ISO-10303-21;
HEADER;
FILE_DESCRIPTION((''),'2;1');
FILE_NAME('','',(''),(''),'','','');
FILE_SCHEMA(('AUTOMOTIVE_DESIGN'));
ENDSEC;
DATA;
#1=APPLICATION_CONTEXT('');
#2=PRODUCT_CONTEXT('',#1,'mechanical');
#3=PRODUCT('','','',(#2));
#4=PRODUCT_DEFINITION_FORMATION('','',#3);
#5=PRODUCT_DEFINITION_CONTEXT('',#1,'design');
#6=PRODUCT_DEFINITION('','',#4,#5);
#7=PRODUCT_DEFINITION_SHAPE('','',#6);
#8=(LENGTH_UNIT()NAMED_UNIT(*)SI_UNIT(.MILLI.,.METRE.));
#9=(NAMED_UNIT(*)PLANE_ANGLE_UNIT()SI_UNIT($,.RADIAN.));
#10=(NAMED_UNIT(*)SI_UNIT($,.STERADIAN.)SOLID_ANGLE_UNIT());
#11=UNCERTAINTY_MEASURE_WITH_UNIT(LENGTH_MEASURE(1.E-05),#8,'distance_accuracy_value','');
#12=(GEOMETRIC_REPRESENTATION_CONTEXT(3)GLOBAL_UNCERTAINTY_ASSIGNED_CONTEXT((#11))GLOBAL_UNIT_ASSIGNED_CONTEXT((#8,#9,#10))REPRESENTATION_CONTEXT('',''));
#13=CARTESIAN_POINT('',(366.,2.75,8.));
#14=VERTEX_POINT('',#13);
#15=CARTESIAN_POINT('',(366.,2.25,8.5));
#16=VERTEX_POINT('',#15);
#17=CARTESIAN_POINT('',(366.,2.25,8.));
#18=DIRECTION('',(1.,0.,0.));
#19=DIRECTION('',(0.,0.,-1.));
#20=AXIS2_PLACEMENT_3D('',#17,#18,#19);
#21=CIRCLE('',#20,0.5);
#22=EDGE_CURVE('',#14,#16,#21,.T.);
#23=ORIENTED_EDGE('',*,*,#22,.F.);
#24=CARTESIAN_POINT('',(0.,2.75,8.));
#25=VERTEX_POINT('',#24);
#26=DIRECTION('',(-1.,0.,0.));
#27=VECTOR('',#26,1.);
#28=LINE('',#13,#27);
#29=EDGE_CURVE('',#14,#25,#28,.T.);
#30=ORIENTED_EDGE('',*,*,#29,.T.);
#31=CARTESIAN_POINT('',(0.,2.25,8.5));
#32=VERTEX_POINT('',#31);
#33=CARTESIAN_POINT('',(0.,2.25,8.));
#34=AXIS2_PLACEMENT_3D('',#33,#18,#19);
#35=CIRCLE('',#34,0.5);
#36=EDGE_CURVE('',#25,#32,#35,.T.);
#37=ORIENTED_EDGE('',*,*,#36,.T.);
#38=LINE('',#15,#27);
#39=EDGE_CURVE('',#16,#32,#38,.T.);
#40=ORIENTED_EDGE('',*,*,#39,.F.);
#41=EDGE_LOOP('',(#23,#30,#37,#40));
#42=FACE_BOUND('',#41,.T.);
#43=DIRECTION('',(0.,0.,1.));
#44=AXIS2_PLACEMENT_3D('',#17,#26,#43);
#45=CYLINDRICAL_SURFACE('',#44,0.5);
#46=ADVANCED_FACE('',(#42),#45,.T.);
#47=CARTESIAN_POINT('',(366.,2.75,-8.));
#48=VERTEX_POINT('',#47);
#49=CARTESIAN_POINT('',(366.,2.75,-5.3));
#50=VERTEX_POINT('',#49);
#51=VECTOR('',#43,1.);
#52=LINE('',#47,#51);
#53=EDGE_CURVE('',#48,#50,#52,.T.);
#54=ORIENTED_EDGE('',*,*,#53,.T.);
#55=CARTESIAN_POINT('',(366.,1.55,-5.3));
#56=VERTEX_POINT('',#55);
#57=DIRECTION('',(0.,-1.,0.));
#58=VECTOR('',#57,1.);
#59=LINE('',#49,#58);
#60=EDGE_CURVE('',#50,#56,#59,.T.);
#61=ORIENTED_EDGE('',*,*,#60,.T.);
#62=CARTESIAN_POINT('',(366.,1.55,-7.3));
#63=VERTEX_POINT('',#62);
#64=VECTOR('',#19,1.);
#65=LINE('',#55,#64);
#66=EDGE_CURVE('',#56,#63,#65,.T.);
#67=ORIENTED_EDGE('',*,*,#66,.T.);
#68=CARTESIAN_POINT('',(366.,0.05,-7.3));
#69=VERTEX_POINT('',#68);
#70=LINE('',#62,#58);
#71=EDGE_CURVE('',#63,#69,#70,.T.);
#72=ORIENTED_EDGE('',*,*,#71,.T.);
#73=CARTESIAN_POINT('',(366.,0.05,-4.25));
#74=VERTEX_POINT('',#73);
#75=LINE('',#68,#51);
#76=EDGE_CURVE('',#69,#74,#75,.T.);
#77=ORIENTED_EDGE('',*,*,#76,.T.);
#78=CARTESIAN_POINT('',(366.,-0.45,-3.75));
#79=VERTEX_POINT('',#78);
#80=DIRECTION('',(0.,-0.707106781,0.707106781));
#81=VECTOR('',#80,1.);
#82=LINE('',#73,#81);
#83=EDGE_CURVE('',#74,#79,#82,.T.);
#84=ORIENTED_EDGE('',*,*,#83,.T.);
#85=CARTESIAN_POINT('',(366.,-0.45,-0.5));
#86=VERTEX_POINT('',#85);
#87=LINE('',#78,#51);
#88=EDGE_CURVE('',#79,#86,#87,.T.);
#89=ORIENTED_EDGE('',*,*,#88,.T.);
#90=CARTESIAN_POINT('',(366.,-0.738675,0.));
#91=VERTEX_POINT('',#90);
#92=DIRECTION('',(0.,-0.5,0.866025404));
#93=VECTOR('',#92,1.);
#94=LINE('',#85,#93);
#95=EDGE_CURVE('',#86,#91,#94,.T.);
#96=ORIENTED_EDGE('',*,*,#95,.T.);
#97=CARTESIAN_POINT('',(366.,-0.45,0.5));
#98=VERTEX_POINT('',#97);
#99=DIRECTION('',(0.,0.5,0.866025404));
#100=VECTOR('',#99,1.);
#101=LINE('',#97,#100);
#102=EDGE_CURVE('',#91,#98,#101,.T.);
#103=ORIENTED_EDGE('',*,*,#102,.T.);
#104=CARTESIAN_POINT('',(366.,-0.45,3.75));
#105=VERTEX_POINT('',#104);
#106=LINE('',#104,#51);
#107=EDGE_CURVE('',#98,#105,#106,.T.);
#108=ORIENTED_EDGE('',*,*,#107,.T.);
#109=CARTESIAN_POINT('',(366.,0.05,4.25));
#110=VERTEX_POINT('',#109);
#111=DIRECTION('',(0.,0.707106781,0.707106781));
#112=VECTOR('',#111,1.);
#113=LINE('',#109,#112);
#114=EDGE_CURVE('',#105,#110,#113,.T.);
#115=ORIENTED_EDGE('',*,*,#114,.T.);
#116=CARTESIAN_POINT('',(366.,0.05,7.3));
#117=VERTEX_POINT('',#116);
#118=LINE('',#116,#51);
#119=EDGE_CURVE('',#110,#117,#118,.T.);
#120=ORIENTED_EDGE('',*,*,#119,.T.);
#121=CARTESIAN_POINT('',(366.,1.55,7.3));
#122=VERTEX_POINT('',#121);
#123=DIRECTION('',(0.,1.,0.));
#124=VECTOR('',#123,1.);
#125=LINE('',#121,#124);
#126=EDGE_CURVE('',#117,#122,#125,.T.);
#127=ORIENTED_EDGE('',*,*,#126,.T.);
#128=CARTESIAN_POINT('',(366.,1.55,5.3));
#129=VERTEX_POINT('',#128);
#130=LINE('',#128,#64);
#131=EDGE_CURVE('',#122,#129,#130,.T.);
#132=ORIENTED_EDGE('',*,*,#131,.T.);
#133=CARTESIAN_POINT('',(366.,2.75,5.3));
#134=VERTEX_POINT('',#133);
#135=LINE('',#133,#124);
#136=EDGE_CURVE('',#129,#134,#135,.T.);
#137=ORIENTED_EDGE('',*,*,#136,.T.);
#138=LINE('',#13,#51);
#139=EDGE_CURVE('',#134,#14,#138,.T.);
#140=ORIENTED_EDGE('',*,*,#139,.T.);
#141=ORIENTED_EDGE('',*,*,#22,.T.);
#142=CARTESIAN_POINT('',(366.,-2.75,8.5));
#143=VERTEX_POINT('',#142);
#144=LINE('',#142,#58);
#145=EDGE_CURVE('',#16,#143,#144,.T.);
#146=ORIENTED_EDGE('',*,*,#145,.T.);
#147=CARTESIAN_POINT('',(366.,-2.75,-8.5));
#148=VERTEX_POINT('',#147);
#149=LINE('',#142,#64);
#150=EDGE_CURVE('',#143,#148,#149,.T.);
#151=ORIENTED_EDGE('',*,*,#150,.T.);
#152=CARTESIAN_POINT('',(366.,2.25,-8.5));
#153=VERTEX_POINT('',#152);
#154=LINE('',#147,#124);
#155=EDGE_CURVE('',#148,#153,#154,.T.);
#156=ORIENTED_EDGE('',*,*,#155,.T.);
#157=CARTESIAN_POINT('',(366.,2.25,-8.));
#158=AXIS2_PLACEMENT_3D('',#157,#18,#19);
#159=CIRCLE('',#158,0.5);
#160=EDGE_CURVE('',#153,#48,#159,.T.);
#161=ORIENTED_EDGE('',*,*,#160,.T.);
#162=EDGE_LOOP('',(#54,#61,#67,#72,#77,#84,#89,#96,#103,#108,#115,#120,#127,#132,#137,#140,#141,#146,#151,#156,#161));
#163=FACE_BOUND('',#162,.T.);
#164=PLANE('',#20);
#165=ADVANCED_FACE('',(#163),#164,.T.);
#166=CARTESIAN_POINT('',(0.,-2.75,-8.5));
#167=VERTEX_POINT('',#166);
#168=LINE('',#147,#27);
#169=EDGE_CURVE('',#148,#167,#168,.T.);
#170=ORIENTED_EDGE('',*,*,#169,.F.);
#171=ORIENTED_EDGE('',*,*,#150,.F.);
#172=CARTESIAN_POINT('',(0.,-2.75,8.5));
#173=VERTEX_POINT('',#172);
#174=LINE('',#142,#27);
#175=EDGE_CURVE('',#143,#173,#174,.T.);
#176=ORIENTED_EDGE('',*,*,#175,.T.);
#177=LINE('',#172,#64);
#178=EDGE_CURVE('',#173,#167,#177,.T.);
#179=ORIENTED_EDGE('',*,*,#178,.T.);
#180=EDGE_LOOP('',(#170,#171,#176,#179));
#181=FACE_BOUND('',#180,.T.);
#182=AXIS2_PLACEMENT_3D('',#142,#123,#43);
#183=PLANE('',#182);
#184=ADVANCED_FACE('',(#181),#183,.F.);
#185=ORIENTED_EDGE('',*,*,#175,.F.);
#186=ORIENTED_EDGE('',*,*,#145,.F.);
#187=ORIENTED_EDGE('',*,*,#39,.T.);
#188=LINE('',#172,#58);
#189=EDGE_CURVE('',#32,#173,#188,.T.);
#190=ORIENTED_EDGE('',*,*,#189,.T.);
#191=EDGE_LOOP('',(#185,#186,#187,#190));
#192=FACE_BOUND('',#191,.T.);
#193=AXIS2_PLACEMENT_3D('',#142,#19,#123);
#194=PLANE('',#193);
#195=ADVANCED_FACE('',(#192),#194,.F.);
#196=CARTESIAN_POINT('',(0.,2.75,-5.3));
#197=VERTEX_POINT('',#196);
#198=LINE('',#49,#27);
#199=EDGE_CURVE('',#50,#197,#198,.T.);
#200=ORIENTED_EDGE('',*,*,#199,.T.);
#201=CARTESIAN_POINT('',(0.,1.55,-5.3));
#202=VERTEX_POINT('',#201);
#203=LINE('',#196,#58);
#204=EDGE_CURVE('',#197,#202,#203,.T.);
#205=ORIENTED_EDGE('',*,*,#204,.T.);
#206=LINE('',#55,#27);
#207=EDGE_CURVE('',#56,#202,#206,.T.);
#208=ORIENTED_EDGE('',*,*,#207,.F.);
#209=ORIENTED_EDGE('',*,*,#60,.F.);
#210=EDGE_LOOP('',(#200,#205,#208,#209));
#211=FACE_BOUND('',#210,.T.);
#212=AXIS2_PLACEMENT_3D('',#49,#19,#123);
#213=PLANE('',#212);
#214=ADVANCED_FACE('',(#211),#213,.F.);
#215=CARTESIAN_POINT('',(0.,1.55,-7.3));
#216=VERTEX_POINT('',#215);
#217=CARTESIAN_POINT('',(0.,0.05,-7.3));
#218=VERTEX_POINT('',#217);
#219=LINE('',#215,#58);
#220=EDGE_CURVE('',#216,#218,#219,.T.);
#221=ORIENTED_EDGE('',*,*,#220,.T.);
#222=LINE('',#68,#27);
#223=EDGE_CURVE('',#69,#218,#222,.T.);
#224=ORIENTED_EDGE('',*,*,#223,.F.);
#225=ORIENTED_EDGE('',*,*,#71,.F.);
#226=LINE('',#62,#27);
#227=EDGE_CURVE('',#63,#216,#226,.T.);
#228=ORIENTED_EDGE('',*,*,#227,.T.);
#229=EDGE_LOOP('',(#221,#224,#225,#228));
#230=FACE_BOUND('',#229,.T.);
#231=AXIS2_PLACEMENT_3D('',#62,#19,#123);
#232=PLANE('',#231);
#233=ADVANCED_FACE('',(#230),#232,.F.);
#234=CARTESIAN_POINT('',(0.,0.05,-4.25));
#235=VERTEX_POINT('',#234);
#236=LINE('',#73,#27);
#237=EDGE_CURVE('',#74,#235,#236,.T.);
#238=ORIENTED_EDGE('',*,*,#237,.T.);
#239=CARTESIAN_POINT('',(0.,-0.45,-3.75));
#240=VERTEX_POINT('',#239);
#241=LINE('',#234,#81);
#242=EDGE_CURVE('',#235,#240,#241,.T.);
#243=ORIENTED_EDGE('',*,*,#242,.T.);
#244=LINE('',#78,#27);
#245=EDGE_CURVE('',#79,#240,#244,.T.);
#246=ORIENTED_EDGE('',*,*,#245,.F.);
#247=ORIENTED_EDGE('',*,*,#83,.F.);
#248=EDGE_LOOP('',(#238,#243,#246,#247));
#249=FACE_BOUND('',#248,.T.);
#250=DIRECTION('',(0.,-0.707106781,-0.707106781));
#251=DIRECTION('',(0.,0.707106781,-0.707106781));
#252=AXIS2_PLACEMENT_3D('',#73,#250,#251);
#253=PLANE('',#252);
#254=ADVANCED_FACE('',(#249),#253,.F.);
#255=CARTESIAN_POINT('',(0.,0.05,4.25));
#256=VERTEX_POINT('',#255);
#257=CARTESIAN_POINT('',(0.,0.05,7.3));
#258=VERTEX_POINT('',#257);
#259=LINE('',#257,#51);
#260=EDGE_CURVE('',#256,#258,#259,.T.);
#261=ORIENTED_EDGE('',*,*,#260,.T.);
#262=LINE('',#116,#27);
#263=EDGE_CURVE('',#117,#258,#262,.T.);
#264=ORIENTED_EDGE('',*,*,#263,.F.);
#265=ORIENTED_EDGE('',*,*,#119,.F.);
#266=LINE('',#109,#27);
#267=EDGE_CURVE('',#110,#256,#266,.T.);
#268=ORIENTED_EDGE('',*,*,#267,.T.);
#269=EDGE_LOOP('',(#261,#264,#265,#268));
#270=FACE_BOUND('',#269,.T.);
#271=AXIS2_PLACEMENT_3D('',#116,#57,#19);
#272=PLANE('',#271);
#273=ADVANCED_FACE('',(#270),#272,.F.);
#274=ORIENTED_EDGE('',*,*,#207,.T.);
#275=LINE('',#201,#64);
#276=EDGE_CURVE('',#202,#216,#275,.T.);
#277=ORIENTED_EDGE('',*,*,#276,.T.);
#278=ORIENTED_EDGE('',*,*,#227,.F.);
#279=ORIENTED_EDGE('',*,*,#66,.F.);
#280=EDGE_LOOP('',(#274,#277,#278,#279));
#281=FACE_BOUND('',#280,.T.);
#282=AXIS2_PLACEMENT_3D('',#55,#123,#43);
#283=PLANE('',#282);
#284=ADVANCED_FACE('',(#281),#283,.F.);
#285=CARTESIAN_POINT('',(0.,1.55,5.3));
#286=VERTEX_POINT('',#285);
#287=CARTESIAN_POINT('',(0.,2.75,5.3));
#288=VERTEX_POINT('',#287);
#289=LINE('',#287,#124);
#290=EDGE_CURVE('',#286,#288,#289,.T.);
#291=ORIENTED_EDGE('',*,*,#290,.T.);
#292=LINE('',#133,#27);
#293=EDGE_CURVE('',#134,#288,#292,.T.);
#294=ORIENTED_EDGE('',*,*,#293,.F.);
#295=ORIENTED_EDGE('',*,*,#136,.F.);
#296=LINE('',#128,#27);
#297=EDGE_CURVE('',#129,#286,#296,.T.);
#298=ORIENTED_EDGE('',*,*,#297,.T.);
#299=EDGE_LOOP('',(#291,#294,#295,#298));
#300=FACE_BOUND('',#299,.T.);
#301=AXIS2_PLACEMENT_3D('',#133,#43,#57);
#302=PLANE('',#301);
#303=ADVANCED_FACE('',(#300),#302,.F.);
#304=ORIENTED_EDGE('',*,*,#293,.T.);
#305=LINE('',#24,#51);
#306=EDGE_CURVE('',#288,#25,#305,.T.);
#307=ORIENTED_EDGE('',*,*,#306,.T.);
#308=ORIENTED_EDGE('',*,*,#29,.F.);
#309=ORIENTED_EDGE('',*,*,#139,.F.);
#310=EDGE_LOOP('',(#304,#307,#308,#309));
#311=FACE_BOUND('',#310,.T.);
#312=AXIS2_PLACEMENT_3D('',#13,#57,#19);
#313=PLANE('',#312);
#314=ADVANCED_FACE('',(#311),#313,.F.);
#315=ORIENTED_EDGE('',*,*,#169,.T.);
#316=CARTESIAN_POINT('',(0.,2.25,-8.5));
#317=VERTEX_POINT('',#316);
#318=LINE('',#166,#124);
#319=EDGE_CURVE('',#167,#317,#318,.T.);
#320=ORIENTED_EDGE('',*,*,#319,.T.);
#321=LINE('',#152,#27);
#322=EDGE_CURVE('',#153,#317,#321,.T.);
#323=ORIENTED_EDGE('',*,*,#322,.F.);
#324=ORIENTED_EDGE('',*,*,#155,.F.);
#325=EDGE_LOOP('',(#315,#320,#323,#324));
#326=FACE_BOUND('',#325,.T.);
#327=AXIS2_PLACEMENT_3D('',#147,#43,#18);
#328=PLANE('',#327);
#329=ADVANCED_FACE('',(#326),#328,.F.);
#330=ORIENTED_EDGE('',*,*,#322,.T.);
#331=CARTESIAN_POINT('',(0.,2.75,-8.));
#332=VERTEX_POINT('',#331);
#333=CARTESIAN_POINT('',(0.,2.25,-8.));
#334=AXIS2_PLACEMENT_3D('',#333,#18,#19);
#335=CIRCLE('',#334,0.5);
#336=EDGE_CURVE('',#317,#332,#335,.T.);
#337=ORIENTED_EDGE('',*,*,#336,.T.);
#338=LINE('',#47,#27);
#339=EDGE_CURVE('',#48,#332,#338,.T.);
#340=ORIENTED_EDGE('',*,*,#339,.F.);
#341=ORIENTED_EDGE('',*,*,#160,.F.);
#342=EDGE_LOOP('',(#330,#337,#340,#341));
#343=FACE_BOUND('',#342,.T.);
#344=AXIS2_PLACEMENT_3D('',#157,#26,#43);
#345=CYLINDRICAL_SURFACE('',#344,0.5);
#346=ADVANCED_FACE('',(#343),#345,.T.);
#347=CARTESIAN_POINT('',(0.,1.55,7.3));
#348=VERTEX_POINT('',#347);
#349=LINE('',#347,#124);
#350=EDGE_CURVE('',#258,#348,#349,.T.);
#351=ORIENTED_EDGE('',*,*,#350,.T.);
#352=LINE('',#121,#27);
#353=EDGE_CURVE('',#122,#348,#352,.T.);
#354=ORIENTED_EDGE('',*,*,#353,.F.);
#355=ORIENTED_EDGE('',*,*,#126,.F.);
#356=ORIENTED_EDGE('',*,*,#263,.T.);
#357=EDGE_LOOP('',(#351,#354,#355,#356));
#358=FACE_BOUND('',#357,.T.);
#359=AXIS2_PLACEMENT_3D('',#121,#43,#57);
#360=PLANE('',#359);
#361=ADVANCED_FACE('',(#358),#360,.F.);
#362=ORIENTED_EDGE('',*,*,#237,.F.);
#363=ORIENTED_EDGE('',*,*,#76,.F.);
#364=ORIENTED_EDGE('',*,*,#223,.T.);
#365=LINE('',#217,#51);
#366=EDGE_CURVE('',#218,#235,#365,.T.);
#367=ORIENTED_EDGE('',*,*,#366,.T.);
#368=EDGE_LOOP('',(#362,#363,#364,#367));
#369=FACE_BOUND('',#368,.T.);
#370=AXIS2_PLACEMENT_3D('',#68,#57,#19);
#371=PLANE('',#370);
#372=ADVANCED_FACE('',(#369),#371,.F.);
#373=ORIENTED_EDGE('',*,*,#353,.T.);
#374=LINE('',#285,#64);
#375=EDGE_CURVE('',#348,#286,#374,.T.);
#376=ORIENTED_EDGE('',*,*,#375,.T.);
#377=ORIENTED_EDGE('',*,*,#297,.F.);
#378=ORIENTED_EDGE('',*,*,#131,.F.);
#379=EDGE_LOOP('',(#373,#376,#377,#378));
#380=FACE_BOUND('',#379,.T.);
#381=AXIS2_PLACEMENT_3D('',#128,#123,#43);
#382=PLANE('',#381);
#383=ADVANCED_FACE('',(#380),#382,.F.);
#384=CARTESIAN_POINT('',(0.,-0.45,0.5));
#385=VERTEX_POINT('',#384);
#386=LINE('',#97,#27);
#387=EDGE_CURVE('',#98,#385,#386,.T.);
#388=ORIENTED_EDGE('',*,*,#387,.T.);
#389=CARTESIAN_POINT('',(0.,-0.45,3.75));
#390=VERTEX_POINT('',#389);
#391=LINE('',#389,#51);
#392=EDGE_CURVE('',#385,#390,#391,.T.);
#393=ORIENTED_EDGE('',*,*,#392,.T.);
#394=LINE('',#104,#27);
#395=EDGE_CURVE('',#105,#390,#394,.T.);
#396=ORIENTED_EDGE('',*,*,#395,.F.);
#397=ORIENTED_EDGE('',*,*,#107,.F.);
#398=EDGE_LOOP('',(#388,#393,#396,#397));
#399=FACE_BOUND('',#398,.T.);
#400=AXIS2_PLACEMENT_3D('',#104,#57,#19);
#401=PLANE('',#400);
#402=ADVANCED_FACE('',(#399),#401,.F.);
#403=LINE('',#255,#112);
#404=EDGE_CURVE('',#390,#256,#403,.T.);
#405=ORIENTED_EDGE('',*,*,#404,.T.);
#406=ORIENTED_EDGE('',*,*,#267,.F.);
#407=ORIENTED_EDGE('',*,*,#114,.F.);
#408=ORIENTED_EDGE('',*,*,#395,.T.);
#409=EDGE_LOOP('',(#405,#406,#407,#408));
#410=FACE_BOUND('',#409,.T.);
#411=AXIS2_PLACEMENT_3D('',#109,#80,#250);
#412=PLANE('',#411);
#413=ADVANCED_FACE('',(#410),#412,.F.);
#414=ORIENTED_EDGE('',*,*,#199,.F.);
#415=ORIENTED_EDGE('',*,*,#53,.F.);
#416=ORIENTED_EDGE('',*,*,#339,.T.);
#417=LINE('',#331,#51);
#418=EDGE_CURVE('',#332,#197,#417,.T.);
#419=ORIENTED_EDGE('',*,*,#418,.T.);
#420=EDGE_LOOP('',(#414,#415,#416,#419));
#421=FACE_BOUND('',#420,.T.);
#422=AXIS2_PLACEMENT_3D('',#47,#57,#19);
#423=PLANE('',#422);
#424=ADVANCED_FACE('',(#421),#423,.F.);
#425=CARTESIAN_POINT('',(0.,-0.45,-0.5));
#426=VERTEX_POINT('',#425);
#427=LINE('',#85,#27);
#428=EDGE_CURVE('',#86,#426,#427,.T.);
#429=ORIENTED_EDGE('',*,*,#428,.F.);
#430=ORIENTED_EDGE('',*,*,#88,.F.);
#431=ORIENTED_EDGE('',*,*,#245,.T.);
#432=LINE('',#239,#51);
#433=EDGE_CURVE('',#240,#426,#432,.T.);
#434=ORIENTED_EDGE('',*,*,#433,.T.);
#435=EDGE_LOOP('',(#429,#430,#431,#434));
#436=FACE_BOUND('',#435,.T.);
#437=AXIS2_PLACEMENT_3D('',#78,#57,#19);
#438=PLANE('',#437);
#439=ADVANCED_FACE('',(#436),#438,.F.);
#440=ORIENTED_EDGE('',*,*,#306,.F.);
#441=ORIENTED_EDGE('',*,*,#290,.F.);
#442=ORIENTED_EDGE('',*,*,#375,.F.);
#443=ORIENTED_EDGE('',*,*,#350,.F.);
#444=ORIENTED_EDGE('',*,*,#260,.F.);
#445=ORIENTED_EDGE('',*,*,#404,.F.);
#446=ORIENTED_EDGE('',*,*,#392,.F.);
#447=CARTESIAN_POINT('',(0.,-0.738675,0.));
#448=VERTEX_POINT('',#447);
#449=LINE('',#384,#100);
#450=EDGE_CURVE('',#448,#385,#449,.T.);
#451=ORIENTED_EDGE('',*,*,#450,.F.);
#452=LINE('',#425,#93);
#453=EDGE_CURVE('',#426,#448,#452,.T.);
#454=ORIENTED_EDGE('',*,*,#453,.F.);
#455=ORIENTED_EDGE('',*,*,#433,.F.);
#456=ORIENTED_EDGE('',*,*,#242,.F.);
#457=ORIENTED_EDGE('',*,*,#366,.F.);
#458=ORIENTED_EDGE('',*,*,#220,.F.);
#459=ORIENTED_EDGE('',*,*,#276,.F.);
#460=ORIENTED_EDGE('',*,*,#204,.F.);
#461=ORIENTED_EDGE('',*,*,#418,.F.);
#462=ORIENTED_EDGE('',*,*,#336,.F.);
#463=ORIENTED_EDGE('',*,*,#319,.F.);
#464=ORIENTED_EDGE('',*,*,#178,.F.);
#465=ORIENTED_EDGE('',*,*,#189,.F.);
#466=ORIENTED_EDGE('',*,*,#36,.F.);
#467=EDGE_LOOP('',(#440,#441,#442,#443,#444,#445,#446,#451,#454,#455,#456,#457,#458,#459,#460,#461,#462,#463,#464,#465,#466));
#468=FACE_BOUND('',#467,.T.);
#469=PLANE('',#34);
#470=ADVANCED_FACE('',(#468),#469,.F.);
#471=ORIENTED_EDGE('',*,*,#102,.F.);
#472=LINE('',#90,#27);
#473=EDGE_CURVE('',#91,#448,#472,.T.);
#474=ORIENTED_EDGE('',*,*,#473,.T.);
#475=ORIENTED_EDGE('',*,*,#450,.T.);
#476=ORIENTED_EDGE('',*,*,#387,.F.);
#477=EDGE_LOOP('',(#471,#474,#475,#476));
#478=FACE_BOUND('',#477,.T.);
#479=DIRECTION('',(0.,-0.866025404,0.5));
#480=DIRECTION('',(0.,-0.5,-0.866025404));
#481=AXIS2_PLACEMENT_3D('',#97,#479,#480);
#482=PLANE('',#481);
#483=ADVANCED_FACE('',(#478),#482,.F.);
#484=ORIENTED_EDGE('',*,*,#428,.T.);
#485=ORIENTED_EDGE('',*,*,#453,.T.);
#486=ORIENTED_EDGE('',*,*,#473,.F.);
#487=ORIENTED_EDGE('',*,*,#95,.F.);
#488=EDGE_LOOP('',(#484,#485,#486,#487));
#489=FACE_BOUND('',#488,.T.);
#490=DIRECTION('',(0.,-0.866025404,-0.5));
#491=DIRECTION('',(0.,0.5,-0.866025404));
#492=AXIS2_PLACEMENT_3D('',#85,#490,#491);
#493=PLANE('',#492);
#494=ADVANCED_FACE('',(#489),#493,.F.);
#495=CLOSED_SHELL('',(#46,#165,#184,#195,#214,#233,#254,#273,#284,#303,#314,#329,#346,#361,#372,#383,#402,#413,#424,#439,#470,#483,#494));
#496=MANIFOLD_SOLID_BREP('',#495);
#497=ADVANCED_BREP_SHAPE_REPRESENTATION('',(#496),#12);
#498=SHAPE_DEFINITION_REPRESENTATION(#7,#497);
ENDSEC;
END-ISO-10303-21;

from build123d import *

# Parameters (mm, degrees)
BOSS_EXTRUDE1_DEPTH = 366


with BuildPart() as part:
    # Sketch5 → Boss-Extrude1 (new body)
    with BuildSketch(Plane(origin=(0, 0, 0), x_dir=(0, 0, -1), z_dir=(1, 0, 0))):
        with BuildLine():
            Line((-8.499999996, -2.75), (8.499999996, -2.75))
            Line((8.499999996, -2.75), (8.499999996, 2.25))
            ThreePointArc((8.499999996, 2.25), (8.353553387, 2.603553391), (7.999999996, 2.75))
            Line((7.999999996, 2.75), (5.299999996, 2.75))
            Line((5.299999996, 2.75), (5.299999996, 1.55))
            Line((5.299999996, 1.55), (7.299999998, 1.55))
            Line((7.299999998, 1.55), (7.299999998, 0.05))
            Line((7.299999998, 0.05), (4.249999998, 0.05))
            Line((4.249999998, 0.05), (3.749999998, -0.45))
            Line((3.749999998, -0.45), (0.499999998, -0.45))
            Line((0.499999998, -0.45), (0, -0.738675133))
            Line((0, -0.738675133), (-0.499999998, -0.45))
            Line((-0.499999998, -0.45), (-3.749999998, -0.45))
            Line((-3.749999998, -0.45), (-4.249999998, 0.05))
            Line((-4.249999998, 0.05), (-7.299999998, 0.05))
            Line((-7.299999998, 0.05), (-7.299999998, 1.55))
            Line((-7.299999998, 1.55), (-5.299999996, 1.55))
            Line((-5.299999996, 1.55), (-5.299999996, 2.75))
            Line((-5.299999996, 2.75), (-7.999999996, 2.75))
            ThreePointArc((-7.999999996, 2.75), (-8.353553387, 2.603553391), (-8.499999996, 2.25))
            Line((-8.499999996, 2.25), (-8.499999996, -2.75))
        make_face()
    extrude(amount=BOSS_EXTRUDE1_DEPTH)


solid = part.part
